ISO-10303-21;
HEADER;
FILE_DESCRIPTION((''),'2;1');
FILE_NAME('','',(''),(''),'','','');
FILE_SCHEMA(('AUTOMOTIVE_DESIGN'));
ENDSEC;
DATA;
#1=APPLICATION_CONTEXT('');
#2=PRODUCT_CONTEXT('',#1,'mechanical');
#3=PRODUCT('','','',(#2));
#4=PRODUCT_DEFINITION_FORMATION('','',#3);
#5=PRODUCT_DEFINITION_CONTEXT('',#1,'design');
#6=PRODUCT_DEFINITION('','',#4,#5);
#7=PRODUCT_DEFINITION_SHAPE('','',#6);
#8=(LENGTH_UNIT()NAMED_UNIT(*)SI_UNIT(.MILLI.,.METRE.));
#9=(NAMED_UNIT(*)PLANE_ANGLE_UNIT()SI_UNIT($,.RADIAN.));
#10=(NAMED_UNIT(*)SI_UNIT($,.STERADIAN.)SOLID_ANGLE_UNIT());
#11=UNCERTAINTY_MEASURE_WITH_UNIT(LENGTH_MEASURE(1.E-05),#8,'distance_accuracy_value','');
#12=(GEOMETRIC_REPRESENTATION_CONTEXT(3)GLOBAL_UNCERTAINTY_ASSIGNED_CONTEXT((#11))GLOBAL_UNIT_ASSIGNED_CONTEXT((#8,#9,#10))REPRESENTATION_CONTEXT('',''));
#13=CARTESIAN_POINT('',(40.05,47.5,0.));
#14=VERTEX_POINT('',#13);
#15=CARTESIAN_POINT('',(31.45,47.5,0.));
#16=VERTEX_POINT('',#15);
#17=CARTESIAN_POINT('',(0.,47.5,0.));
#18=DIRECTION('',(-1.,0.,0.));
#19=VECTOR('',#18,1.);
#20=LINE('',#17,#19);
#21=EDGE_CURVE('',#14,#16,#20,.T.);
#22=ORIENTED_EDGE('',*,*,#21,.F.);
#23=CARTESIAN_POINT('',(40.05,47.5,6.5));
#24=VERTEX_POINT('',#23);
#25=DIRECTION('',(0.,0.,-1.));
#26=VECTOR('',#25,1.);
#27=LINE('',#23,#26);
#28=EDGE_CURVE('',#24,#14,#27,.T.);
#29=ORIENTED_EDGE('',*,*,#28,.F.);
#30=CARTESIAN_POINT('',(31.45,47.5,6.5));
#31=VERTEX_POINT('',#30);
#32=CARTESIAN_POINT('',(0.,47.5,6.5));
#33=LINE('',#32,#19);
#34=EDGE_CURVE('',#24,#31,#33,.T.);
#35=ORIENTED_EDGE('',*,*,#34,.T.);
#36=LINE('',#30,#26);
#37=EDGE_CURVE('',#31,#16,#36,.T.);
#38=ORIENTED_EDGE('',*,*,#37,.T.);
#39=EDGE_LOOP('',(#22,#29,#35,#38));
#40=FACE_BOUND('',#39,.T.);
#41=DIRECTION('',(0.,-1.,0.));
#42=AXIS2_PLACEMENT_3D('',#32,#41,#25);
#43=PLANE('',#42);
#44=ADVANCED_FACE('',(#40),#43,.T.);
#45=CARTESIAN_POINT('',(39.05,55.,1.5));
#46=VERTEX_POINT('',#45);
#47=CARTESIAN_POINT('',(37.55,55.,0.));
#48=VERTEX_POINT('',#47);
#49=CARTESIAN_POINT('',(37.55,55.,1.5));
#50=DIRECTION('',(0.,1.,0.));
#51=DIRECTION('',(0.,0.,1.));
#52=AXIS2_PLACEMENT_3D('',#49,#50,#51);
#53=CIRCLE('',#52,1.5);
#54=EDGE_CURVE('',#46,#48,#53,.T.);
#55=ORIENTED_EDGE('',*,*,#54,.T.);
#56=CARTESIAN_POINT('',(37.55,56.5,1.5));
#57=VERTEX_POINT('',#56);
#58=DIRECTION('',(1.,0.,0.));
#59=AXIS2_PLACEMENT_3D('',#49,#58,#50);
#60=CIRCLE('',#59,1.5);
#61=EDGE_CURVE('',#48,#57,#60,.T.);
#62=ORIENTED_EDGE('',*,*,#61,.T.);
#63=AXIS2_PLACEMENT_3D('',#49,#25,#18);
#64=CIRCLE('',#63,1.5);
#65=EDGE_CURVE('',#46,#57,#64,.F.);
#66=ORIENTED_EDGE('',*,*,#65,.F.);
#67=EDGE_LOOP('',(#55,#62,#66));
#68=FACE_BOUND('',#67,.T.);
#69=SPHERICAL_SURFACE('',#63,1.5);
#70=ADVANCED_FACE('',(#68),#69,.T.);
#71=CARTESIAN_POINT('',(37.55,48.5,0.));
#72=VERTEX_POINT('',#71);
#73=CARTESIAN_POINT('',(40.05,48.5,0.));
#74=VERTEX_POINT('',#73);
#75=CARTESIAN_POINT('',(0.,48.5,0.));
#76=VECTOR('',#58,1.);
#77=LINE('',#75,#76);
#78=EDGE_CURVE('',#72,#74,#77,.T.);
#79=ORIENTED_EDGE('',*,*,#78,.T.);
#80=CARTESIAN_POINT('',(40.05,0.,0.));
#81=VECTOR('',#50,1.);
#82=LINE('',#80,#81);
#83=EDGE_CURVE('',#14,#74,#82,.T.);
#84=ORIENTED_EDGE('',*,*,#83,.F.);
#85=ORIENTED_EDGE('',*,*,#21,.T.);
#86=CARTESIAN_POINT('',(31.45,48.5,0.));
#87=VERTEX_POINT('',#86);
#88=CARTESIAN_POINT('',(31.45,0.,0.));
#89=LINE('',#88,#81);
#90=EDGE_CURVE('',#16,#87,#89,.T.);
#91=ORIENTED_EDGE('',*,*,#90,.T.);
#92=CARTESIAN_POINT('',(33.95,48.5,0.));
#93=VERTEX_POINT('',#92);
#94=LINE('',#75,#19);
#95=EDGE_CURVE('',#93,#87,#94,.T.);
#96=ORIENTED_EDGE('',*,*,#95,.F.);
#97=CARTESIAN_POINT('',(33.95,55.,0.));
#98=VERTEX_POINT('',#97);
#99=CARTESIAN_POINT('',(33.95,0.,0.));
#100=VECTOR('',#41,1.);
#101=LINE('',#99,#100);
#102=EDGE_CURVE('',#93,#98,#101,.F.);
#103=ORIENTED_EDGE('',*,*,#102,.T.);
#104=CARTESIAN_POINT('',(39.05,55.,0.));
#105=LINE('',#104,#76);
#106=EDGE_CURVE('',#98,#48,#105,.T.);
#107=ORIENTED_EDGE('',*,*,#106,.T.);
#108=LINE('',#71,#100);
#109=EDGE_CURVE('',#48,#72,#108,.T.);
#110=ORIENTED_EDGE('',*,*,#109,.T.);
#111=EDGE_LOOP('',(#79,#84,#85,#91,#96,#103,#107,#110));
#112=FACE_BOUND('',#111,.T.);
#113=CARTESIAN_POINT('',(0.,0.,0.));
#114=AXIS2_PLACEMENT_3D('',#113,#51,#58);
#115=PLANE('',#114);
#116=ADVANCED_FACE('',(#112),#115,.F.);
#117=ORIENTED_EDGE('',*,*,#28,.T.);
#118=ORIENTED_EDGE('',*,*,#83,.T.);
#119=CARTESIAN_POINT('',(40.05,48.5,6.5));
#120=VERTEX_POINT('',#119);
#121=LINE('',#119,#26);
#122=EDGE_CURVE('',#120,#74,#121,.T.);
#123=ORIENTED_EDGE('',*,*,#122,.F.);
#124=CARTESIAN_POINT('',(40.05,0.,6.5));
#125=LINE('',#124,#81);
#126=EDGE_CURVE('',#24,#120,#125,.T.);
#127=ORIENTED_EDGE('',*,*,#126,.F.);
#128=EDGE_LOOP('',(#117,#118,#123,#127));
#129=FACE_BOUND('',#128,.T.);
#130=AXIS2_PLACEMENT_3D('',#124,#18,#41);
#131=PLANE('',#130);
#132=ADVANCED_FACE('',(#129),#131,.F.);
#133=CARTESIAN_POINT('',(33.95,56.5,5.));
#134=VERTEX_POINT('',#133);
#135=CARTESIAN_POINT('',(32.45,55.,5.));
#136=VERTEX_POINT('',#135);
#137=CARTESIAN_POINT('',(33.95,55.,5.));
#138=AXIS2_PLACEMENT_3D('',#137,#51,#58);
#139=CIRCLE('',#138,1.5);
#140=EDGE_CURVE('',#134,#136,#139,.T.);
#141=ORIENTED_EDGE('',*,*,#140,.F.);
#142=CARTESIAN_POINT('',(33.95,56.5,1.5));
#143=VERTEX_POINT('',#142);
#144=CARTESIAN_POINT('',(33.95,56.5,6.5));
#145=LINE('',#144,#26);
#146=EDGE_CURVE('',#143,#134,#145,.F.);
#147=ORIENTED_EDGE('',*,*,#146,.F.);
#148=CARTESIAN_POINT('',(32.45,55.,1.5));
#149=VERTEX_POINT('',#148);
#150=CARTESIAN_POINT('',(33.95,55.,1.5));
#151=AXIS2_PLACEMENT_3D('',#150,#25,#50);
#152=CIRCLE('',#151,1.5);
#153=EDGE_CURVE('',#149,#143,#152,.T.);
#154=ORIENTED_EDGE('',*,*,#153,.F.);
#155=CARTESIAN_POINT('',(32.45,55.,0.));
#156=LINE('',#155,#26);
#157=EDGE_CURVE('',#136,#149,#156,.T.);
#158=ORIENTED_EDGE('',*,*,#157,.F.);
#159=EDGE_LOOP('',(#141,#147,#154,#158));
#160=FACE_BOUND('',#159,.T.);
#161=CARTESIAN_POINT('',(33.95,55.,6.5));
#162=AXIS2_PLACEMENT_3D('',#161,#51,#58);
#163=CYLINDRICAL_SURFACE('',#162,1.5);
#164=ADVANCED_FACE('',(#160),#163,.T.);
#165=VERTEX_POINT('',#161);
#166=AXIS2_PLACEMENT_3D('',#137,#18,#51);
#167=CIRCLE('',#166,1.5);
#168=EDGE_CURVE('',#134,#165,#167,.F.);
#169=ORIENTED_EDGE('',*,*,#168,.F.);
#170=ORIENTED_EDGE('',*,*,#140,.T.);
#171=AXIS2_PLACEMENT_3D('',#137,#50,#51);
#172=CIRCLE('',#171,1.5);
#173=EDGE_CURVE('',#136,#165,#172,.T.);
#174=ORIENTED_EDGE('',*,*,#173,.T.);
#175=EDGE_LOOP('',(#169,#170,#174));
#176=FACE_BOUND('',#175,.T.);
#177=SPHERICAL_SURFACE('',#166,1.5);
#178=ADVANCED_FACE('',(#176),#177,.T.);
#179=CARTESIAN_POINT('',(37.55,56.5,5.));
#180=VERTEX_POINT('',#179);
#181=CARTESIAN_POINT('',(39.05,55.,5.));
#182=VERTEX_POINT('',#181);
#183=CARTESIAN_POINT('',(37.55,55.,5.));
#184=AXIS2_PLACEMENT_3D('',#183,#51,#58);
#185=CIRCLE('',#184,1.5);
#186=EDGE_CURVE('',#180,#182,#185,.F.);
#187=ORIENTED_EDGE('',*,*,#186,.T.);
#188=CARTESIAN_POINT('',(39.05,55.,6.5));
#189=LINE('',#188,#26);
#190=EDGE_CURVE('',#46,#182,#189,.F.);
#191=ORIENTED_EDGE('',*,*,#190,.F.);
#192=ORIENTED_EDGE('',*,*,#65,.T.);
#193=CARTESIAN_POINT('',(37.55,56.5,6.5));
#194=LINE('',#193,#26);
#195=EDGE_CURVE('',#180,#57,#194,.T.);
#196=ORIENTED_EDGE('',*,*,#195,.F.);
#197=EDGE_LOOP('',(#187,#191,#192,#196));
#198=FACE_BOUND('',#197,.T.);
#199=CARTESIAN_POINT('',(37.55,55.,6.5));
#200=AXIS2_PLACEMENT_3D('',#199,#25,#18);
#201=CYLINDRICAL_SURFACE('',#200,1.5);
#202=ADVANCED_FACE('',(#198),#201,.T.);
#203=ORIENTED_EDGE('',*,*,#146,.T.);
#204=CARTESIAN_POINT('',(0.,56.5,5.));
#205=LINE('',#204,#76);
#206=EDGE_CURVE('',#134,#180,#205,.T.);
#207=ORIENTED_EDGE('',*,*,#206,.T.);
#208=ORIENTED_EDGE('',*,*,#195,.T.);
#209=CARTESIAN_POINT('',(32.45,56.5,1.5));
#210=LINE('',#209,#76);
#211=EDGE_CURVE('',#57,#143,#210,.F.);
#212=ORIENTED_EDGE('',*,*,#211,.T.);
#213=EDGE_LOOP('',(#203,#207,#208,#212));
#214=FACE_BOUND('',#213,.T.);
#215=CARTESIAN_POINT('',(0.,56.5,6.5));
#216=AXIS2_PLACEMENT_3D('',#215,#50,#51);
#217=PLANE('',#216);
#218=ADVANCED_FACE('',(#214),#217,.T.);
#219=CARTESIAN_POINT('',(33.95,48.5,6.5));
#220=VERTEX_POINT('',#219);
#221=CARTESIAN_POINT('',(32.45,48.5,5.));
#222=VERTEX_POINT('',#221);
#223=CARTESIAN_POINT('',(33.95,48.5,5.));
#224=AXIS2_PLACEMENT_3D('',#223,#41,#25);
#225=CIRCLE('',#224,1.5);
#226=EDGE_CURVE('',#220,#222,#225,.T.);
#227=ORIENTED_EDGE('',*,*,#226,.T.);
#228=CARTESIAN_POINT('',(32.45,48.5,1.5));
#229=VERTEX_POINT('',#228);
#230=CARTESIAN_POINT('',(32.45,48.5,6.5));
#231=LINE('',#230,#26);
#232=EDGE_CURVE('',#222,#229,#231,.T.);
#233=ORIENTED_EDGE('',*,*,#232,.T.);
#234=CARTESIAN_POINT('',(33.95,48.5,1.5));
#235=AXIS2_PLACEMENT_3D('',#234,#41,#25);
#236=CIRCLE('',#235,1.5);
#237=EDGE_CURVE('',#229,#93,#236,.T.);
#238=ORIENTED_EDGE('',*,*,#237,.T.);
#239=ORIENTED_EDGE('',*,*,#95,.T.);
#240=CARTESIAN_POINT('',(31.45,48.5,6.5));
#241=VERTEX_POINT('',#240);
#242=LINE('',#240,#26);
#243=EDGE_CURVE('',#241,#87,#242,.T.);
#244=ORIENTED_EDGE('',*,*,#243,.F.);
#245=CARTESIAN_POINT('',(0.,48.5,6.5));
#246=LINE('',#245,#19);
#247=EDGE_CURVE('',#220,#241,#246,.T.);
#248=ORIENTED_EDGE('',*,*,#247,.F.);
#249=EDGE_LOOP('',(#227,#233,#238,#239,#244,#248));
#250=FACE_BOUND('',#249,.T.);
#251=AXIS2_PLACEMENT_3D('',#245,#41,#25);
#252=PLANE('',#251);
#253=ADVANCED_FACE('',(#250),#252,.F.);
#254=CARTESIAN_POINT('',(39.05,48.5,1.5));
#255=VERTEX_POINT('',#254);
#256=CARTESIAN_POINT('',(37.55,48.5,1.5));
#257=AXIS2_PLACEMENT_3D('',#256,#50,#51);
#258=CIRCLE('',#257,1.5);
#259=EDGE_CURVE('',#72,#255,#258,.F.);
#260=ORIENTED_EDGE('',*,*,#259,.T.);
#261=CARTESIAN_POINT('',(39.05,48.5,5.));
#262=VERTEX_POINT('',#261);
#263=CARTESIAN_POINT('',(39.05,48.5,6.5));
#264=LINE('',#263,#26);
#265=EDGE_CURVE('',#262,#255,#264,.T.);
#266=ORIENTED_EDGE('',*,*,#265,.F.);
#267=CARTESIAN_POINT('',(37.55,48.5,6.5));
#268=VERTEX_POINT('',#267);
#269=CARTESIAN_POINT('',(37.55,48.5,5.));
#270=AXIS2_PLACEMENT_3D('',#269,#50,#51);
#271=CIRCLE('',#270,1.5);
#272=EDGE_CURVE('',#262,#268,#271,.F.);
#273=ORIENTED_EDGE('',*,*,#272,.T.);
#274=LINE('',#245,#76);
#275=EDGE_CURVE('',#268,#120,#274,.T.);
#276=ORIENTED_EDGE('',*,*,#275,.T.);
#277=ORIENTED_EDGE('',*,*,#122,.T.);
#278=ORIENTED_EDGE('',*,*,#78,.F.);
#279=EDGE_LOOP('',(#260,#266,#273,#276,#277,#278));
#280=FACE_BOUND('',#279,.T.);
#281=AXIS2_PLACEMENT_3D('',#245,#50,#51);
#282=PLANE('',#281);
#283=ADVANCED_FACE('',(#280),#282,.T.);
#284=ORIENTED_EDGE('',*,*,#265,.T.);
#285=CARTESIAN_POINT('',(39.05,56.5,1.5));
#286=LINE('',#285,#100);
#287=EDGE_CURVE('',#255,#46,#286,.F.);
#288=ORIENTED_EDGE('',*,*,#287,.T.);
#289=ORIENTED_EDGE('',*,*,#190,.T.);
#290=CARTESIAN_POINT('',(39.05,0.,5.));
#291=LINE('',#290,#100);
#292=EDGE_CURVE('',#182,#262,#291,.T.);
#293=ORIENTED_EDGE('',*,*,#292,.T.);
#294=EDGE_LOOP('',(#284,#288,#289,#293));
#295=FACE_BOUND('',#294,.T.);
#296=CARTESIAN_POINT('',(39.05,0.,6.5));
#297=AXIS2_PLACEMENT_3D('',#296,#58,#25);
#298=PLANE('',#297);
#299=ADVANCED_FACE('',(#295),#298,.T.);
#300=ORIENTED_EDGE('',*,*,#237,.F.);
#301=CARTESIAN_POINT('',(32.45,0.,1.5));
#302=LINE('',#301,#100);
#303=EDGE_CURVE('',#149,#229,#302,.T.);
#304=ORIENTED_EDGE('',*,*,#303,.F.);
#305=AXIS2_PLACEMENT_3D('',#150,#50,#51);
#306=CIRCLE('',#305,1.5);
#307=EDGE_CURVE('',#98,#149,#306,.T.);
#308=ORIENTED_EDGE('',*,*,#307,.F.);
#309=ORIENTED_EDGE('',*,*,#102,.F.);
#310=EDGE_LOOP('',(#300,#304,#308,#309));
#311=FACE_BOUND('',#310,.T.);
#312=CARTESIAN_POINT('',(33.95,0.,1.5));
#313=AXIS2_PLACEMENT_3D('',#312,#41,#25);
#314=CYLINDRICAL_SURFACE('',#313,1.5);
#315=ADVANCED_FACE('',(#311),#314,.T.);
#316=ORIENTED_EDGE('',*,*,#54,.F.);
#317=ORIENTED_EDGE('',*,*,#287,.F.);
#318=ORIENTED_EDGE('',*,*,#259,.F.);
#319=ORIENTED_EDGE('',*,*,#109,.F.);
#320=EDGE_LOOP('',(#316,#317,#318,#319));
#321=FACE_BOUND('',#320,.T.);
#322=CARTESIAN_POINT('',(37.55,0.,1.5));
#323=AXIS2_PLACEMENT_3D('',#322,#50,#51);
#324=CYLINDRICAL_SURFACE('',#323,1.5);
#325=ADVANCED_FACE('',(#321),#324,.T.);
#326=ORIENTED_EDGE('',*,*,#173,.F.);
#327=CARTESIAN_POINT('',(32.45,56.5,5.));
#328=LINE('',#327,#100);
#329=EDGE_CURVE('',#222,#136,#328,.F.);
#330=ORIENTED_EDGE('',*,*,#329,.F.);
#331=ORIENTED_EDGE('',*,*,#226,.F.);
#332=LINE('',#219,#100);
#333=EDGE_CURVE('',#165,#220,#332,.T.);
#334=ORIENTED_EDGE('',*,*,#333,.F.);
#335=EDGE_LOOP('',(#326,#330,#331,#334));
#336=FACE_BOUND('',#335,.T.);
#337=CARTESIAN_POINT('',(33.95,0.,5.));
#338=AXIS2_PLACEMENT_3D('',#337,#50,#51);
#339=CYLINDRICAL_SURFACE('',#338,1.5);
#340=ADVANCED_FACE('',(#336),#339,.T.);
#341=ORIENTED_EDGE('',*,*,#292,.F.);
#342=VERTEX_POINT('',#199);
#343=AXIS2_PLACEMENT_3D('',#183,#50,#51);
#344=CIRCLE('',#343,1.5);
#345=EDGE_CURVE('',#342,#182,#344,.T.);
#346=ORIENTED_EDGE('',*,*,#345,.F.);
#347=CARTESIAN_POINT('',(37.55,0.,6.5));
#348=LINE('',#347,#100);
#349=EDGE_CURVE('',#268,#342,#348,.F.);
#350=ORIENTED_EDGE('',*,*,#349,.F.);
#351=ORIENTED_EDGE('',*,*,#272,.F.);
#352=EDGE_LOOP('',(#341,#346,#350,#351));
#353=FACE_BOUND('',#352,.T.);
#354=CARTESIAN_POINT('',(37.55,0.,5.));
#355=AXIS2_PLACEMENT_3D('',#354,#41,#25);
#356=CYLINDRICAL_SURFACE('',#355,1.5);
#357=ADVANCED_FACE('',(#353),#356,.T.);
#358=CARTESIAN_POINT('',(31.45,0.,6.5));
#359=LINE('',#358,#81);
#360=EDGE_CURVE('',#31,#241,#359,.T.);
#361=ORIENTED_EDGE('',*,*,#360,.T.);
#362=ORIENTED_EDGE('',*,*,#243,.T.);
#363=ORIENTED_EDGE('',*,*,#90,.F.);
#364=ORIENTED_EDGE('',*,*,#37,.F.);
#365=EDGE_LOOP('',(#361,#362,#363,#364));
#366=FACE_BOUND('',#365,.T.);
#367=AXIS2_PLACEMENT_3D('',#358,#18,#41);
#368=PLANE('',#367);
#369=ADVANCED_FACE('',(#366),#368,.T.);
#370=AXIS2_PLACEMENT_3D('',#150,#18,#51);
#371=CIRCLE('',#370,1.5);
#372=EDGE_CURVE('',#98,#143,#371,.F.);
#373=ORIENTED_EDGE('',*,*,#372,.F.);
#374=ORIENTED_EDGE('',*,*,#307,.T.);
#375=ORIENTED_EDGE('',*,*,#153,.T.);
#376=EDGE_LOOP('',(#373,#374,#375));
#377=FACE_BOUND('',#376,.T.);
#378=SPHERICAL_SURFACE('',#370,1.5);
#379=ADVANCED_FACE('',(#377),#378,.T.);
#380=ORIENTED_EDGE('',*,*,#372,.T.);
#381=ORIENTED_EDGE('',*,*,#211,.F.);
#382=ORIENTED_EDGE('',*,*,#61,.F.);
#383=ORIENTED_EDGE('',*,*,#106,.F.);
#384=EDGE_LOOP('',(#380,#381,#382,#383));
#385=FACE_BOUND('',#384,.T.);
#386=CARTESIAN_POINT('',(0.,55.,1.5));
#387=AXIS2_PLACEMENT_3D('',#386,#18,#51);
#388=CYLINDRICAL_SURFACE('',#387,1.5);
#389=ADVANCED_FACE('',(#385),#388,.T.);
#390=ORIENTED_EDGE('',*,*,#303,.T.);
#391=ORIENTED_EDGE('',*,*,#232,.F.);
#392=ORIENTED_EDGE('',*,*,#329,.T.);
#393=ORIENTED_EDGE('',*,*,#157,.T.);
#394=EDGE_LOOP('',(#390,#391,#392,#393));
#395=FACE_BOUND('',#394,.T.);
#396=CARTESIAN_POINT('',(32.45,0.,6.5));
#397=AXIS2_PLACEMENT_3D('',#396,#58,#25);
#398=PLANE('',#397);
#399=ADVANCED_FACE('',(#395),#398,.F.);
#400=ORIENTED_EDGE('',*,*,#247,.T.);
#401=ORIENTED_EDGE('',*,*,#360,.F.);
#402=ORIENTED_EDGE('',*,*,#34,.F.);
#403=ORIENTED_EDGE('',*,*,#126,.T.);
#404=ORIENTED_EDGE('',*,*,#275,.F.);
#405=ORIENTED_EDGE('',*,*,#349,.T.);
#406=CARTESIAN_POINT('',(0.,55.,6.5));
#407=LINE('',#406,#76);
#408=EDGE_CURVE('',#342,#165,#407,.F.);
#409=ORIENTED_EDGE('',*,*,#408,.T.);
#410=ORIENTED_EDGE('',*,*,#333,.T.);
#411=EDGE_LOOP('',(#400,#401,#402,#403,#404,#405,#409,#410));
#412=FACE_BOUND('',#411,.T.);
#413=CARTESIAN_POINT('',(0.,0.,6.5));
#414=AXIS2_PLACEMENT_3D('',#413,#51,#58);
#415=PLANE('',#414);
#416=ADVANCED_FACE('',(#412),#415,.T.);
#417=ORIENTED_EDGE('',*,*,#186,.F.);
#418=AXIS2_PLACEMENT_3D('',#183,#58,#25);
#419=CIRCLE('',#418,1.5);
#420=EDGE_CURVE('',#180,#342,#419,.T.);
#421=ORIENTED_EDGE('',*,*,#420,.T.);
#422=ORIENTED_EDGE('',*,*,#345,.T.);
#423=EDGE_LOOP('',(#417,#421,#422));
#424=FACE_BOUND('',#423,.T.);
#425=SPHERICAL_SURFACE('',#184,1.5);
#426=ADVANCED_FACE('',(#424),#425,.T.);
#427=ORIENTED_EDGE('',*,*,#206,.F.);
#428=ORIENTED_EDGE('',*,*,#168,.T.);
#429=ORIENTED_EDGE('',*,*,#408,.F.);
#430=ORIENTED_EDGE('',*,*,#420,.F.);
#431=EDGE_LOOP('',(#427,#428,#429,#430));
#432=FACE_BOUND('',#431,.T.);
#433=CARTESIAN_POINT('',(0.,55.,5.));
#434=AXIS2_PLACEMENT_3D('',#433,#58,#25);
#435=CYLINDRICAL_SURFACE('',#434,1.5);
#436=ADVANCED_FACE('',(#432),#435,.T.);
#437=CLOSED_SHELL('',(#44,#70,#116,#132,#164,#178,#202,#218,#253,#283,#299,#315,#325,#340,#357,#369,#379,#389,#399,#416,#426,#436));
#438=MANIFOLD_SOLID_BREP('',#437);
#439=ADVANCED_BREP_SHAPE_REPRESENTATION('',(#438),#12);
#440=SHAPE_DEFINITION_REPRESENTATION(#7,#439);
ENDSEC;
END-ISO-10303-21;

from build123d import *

# Parameters (mm, degrees)
SKETCH2_W           = 1
SKETCH2_H           = 1
BOSS_EXTRUDE1_DEPTH = 6.5
FILLET1_R           = 1.5


with BuildPart() as part:
    # Sketch2 → Boss-Extrude1 (new body)
    with BuildSketch(Plane.XY):
        with Locations((31.95, 48)):
            Rectangle(SKETCH2_W, SKETCH2_H)
        Polygon((35.75, 56.5), (32.45, 56.5), (32.45, 48.5), (32.45, 47.5), (35.75, 47.5), align=None)
        Polygon((39.05, 56.5), (35.75, 56.5), (35.75, 47.5), (39.05, 47.5), (39.05, 48.5), align=None)
        with Locations((39.55, 48)):
            Rectangle(SKETCH2_W, SKETCH2_H)
    extrude(amount=BOSS_EXTRUDE1_DEPTH)

    # Fillet1
    fillet1_edges = [part.edges().sort_by_distance(p)[0] for p in [
        (32.45, 52.5, 0),
        (35.75, 56.5, 0),
        (39.05, 52.5, 0),
        (32.45, 56.5, 3.25),
        (39.05, 56.5, 3.25),
        (39.05, 52.5, 6.5),
        (35.75, 56.5, 6.5),
        (32.45, 52.5, 6.5),
    ]]
    fillet(fillet1_edges, radius=FILLET1_R)


solid = part.part
